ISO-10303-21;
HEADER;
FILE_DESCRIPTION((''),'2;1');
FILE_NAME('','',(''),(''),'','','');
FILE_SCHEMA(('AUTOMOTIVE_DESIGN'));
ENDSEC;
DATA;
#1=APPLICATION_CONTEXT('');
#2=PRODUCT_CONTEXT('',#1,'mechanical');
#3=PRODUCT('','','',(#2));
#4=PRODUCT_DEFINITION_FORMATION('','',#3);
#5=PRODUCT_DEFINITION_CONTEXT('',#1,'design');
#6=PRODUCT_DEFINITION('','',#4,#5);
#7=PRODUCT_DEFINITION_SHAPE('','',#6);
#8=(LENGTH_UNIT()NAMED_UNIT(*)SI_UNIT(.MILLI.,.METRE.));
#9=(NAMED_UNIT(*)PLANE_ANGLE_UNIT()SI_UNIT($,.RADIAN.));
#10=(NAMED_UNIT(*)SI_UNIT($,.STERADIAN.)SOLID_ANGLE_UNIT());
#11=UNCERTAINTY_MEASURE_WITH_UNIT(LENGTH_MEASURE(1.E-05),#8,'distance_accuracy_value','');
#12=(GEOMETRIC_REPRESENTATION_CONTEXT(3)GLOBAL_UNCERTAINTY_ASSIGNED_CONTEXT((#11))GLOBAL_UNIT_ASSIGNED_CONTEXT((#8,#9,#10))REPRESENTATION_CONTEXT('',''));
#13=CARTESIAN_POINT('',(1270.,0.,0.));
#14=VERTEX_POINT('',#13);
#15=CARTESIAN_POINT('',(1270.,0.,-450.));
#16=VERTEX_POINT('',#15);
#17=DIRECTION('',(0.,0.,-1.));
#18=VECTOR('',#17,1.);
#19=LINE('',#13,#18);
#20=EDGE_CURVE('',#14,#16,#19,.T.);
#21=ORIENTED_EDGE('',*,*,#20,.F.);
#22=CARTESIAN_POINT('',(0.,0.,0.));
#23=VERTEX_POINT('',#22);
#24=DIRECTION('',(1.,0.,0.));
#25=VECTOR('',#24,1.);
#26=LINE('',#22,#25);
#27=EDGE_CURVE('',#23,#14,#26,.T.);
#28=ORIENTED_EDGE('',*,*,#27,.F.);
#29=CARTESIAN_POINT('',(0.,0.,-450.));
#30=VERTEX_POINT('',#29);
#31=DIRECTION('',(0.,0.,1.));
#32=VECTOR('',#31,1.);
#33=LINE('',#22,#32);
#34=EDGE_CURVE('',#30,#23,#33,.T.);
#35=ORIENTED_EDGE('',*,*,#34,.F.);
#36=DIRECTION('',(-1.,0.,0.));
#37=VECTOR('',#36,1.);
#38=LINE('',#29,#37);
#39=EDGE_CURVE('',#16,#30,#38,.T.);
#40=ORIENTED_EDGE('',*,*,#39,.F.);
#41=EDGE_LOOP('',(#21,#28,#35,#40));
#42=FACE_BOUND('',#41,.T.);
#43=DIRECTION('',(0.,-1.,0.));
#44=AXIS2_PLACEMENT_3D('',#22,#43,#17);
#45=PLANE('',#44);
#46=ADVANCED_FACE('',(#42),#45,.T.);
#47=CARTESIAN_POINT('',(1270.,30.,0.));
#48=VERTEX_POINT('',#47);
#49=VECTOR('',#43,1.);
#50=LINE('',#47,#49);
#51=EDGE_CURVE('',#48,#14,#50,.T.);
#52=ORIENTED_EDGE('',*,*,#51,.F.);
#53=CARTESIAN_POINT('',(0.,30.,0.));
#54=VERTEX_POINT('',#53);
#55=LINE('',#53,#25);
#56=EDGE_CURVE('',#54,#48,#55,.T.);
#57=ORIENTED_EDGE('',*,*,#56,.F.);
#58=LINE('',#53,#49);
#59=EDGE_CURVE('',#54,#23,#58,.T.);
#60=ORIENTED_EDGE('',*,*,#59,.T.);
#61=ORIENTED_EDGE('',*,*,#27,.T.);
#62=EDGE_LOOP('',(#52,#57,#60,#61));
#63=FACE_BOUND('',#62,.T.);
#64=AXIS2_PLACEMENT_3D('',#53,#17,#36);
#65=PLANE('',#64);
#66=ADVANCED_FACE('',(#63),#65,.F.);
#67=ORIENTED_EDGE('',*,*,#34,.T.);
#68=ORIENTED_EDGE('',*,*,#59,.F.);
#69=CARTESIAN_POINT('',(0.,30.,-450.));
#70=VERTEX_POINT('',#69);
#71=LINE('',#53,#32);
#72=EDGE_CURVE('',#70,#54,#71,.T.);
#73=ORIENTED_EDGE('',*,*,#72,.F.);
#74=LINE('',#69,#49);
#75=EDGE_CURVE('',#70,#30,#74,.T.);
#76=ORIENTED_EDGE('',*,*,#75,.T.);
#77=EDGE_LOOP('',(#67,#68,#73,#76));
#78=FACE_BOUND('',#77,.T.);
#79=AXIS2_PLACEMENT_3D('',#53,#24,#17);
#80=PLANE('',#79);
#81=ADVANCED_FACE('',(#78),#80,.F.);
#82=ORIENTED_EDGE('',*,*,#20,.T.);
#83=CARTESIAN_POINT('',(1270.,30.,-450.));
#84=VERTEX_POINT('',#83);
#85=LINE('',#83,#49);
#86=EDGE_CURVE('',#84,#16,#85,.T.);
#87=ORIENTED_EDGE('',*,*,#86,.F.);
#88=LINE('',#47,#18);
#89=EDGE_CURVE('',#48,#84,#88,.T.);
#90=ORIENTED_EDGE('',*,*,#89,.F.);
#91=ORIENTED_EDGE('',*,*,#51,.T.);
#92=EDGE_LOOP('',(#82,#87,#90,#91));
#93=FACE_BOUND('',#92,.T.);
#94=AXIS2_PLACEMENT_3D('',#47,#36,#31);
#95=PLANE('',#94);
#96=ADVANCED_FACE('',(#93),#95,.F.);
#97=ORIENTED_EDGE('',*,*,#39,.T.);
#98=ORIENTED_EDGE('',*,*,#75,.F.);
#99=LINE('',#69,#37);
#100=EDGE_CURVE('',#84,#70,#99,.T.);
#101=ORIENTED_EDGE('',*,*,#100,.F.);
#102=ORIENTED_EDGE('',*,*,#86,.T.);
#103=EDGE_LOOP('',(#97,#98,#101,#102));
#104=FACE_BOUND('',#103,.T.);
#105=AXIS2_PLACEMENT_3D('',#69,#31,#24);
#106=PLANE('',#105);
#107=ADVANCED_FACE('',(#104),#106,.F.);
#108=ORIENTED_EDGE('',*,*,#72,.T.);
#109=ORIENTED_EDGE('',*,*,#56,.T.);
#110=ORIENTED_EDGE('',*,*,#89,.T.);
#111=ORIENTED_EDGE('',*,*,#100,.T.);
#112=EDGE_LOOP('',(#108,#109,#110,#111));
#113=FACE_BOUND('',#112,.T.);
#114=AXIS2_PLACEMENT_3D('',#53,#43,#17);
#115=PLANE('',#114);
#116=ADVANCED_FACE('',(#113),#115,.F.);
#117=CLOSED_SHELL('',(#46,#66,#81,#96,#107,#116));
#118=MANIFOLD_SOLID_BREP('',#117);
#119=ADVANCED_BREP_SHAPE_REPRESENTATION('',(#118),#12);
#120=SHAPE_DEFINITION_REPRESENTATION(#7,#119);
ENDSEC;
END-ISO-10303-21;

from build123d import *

# Parameters (mm, degrees)
SKETCH_1_W      = 1270
SKETCH_1_H      = 450
EXTRUDE_1_DEPTH = 30


with BuildPart() as part:
    # Эскиз1 → Бобышка-Вытянуть1 (new body)
    with BuildSketch(Plane(origin=(0, 0, 0), x_dir=(1, 0, 0), z_dir=(0, 1, 0))):
        with Locations((635, 225)):
            Rectangle(SKETCH_1_W, SKETCH_1_H)
    extrude(amount=EXTRUDE_1_DEPTH)


solid = part.part
